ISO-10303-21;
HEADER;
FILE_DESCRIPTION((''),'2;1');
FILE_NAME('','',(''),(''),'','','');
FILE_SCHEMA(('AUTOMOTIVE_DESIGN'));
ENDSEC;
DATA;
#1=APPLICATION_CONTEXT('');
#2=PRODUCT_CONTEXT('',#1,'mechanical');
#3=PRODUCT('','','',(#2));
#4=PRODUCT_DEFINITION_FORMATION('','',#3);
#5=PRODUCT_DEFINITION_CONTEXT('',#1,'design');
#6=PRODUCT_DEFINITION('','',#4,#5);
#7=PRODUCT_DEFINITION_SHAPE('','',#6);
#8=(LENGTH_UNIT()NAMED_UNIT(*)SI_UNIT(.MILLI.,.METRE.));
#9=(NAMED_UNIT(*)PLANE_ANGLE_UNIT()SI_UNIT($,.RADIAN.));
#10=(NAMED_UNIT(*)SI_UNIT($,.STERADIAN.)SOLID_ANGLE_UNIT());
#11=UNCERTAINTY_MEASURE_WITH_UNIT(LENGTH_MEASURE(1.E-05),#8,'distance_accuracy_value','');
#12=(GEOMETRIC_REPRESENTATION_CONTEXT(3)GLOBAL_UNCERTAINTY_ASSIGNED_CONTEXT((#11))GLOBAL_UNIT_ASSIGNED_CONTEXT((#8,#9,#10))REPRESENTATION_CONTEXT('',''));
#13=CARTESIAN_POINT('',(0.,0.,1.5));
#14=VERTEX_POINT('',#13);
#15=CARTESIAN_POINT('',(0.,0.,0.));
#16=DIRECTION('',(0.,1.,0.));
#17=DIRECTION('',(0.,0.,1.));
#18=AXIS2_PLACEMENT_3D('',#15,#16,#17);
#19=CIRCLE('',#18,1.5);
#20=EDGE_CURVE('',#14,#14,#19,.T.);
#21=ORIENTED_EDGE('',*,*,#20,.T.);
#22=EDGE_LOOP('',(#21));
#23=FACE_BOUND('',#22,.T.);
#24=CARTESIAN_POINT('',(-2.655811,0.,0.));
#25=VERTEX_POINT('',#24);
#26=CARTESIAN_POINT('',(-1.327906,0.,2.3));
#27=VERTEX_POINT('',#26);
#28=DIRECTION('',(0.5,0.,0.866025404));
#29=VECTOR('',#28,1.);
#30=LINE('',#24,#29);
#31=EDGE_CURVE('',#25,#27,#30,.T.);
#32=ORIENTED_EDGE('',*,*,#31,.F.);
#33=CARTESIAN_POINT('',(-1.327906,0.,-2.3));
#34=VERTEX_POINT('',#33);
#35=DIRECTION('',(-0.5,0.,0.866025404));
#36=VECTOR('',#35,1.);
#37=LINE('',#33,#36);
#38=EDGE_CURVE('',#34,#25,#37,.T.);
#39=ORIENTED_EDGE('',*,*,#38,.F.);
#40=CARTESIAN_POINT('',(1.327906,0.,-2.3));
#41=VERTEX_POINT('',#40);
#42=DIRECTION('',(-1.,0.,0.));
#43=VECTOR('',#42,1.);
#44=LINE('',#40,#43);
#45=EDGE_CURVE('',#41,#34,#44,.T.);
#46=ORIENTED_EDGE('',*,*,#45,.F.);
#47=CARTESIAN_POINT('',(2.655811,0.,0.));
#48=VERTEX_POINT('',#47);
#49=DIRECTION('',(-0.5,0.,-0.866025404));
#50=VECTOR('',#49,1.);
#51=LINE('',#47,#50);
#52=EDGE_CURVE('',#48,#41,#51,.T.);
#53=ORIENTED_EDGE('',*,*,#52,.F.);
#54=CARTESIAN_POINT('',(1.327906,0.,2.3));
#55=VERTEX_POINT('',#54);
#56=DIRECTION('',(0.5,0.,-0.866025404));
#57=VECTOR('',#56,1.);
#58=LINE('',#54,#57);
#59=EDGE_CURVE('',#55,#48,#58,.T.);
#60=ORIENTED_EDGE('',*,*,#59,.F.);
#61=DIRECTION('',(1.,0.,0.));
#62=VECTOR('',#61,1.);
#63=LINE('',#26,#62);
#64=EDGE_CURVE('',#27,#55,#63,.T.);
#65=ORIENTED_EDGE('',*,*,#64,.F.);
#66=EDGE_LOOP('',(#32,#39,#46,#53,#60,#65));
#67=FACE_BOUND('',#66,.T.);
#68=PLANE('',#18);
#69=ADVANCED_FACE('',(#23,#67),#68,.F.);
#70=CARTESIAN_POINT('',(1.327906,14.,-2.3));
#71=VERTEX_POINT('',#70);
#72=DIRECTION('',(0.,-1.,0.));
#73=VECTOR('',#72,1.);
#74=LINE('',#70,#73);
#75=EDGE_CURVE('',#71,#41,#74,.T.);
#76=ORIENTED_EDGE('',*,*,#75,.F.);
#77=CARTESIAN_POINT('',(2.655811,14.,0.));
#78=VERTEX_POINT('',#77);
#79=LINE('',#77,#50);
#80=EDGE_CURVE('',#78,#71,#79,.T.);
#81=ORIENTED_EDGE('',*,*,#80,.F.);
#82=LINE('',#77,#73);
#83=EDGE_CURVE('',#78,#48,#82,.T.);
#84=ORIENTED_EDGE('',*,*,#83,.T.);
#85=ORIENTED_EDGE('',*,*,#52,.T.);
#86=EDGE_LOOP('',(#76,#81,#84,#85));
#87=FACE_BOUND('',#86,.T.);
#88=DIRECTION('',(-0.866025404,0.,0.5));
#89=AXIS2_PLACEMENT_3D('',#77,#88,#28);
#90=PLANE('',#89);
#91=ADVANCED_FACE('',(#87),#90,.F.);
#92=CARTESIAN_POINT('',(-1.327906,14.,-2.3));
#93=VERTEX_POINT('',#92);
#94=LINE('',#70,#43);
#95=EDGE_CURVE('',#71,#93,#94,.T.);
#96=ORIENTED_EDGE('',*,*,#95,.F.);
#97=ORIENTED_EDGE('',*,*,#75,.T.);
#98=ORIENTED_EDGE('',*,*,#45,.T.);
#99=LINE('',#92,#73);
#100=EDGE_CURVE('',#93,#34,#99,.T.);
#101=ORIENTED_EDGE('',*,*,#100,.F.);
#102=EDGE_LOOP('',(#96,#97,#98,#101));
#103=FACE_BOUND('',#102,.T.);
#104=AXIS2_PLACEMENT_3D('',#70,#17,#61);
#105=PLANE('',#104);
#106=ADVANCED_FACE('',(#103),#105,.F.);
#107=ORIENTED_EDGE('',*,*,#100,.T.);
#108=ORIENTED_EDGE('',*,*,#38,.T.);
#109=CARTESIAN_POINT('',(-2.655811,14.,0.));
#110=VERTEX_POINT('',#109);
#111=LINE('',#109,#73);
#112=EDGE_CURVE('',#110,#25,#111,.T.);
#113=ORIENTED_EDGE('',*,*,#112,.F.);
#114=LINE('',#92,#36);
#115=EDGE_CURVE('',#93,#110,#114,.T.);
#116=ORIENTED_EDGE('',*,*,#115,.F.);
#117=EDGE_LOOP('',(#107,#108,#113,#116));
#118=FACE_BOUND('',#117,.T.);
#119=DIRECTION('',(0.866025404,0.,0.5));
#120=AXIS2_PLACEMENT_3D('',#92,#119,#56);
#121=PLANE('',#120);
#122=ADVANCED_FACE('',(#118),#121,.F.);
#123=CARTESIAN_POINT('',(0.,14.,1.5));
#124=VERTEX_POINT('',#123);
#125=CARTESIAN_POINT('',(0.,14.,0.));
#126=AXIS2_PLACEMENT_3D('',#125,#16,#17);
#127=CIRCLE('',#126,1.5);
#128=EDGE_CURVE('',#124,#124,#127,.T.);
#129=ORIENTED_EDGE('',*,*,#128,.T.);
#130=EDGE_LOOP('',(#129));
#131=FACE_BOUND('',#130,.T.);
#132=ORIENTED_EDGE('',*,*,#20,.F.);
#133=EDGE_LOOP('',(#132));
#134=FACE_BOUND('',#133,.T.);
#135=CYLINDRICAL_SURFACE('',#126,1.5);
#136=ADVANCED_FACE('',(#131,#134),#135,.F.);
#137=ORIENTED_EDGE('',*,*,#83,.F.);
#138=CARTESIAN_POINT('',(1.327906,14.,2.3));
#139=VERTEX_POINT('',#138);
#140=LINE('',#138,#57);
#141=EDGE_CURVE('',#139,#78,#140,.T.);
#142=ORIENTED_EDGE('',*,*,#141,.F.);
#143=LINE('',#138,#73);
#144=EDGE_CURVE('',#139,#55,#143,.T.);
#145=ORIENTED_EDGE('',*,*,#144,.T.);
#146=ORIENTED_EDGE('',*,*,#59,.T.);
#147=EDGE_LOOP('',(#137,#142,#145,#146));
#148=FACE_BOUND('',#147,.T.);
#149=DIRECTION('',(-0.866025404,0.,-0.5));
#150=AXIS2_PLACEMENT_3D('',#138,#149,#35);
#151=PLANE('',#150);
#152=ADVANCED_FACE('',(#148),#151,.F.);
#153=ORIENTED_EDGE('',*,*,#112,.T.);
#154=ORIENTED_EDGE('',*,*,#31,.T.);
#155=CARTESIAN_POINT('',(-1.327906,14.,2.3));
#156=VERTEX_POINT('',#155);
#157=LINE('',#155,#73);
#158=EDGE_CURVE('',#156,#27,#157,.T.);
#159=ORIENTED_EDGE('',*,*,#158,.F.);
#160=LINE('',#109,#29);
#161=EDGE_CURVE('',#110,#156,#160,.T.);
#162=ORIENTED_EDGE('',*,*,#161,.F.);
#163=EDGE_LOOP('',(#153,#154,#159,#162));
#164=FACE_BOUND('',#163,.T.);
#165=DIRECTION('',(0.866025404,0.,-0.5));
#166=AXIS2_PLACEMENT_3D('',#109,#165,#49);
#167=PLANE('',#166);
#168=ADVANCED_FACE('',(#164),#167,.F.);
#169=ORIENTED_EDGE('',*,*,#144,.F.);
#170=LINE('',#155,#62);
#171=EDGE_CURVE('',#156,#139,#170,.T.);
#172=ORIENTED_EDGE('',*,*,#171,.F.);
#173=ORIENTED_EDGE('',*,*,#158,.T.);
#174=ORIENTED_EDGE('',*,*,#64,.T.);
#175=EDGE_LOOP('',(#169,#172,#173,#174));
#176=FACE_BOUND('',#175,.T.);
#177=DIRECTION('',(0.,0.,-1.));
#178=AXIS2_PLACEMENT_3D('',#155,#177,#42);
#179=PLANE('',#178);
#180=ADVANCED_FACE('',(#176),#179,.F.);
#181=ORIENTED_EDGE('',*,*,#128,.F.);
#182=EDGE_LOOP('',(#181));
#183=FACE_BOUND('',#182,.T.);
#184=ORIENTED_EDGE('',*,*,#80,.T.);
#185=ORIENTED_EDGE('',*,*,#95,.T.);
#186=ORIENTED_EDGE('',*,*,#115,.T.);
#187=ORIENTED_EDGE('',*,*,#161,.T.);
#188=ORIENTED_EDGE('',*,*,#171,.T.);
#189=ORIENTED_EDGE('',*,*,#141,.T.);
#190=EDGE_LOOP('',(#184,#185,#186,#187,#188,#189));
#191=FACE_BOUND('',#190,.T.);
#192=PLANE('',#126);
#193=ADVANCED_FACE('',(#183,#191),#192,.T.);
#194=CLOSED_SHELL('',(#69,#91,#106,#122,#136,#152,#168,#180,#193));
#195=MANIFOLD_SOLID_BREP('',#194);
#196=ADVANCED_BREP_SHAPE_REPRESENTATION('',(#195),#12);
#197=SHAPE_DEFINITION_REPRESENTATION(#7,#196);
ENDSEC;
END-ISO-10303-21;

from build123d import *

# Parameters (mm, degrees)
EXTRUDE_1_DEPTH = 14
HOLE_WIZARD_1_D = 3


with BuildPart() as part:
    # 草图1 → 凸台-拉伸1 (new body)
    with BuildSketch(Plane(origin=(0, 0, 0), x_dir=(1, 0, 0), z_dir=(0, 1, 0))):
        Polygon((2.655811238, 0), (1.327905619, 2.3), (-1.327905619, 2.3), (-2.655811238, 0), (-1.327905619, -2.3), (1.327905619, -2.3), align=None)
    extrude(amount=EXTRUDE_1_DEPTH)

    # 孔1 (through all)
    with Locations(Plane(origin=(0, 14, 0), x_dir=(1, 0, 0), z_dir=(0, 1, 0))):
        with Locations((0, 0)):
            Hole(HOLE_WIZARD_1_D / 2)


solid = part.part
